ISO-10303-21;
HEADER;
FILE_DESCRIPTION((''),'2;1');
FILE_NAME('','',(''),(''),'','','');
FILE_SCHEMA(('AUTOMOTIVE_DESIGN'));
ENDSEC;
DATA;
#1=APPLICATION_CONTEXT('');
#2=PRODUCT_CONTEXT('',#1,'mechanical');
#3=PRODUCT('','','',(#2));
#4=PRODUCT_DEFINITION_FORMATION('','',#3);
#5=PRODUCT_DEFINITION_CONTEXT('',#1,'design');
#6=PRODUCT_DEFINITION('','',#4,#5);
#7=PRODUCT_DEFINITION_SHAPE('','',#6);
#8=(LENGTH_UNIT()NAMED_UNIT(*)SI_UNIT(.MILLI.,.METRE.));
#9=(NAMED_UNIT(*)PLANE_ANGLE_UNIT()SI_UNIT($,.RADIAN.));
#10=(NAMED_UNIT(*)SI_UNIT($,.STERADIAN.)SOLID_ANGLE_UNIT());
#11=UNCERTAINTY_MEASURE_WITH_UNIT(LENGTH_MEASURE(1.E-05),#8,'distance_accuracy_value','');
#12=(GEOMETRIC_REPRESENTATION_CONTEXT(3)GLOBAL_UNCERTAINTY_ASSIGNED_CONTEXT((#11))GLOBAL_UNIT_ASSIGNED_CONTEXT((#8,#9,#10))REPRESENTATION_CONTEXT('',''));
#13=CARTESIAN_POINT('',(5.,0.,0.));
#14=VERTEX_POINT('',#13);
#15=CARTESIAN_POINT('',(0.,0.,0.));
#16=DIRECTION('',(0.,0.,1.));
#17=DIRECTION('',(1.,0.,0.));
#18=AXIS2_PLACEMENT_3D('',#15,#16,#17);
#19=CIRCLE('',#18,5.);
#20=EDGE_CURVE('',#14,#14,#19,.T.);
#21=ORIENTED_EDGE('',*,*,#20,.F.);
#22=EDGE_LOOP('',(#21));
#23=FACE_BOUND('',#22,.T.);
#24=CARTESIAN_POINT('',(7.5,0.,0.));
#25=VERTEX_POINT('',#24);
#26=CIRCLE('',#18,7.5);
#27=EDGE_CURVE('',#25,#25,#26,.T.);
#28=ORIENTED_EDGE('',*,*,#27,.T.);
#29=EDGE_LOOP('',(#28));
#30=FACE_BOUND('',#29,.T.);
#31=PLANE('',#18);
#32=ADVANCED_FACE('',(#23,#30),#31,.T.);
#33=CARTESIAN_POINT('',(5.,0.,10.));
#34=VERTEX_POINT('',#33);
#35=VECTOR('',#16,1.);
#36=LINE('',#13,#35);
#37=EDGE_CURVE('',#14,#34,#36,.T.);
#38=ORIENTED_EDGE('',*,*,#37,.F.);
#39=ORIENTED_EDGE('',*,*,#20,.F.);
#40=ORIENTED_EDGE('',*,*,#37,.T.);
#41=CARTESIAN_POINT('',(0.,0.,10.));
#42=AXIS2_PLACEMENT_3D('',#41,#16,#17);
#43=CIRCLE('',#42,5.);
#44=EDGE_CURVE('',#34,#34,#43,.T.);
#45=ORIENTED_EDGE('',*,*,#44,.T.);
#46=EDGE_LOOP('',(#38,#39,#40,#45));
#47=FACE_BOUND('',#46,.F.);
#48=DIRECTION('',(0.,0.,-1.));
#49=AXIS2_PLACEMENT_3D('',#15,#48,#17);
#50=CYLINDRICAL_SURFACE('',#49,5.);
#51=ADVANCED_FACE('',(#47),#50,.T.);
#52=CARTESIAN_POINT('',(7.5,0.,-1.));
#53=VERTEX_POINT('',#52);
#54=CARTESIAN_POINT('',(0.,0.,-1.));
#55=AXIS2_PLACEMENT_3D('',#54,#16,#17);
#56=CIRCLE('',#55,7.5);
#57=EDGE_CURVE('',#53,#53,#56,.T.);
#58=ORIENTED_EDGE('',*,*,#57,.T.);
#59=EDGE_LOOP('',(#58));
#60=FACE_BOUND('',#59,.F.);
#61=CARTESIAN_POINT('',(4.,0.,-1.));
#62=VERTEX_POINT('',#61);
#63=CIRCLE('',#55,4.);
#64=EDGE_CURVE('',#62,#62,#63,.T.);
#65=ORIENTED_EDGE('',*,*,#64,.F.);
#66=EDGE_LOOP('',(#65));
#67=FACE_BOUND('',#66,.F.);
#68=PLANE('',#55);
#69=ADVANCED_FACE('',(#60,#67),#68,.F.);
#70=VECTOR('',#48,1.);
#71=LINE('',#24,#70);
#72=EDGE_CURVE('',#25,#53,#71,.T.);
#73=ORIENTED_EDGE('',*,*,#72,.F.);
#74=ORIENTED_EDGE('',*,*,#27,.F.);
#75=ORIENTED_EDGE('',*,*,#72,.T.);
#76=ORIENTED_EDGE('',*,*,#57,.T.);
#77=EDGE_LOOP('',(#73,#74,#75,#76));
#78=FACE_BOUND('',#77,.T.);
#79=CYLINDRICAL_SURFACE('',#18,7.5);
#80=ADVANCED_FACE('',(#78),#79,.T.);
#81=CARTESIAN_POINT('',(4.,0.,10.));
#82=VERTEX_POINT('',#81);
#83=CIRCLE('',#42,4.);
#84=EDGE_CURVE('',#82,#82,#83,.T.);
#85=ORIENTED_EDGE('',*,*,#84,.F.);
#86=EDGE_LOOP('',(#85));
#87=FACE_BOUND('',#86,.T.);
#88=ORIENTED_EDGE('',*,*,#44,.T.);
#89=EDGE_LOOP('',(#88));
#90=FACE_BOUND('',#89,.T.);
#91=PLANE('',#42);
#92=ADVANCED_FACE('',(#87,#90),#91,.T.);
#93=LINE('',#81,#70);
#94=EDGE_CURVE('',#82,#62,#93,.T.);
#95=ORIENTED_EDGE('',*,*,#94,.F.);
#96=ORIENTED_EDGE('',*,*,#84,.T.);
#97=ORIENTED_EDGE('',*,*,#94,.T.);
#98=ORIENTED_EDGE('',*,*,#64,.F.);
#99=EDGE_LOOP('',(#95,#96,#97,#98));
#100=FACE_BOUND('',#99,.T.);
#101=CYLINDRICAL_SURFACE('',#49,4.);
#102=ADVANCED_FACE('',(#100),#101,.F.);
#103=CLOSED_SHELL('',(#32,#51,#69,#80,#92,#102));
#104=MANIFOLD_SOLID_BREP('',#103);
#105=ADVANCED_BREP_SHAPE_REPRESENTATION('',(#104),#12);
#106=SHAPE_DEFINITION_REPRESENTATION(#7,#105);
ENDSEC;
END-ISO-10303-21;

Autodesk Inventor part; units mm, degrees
ref_plane "YZ Plane" through (0, 0, 0) normal (1, 0, 0) x (0, 1, 0)
ref_plane "XZ Plane" through (0, 0, 0) normal (0, 1, 0) x (-1, 0, 0)
ref_plane "XY Plane" through (0, 0, 0) normal (0, 0, 1) x (1, 0, 0)
sketch "スケッチ1" plane through (0, 0, 0) normal (0, 0, 1) x (1, 0, 0)
  circle A0 centre (0, 0) radius 7.5
  circle A1 centre (0, 0) radius 5
  circle A2 centre (0, 0) radius 4
  dimension "d0" = 15
  dimension "d1" = 10
  dimension "d2" = 8
extrude "押し出し1" add sketch "スケッチ1" along normal blind 10 contours A1
extrude "押し出し2" add sketch "スケッチ1" against normal blind 1 contours A0 | A1
properties part number "オイレス　m4　8　フランジ付き l=10" material "アセタール樹脂、黒"
